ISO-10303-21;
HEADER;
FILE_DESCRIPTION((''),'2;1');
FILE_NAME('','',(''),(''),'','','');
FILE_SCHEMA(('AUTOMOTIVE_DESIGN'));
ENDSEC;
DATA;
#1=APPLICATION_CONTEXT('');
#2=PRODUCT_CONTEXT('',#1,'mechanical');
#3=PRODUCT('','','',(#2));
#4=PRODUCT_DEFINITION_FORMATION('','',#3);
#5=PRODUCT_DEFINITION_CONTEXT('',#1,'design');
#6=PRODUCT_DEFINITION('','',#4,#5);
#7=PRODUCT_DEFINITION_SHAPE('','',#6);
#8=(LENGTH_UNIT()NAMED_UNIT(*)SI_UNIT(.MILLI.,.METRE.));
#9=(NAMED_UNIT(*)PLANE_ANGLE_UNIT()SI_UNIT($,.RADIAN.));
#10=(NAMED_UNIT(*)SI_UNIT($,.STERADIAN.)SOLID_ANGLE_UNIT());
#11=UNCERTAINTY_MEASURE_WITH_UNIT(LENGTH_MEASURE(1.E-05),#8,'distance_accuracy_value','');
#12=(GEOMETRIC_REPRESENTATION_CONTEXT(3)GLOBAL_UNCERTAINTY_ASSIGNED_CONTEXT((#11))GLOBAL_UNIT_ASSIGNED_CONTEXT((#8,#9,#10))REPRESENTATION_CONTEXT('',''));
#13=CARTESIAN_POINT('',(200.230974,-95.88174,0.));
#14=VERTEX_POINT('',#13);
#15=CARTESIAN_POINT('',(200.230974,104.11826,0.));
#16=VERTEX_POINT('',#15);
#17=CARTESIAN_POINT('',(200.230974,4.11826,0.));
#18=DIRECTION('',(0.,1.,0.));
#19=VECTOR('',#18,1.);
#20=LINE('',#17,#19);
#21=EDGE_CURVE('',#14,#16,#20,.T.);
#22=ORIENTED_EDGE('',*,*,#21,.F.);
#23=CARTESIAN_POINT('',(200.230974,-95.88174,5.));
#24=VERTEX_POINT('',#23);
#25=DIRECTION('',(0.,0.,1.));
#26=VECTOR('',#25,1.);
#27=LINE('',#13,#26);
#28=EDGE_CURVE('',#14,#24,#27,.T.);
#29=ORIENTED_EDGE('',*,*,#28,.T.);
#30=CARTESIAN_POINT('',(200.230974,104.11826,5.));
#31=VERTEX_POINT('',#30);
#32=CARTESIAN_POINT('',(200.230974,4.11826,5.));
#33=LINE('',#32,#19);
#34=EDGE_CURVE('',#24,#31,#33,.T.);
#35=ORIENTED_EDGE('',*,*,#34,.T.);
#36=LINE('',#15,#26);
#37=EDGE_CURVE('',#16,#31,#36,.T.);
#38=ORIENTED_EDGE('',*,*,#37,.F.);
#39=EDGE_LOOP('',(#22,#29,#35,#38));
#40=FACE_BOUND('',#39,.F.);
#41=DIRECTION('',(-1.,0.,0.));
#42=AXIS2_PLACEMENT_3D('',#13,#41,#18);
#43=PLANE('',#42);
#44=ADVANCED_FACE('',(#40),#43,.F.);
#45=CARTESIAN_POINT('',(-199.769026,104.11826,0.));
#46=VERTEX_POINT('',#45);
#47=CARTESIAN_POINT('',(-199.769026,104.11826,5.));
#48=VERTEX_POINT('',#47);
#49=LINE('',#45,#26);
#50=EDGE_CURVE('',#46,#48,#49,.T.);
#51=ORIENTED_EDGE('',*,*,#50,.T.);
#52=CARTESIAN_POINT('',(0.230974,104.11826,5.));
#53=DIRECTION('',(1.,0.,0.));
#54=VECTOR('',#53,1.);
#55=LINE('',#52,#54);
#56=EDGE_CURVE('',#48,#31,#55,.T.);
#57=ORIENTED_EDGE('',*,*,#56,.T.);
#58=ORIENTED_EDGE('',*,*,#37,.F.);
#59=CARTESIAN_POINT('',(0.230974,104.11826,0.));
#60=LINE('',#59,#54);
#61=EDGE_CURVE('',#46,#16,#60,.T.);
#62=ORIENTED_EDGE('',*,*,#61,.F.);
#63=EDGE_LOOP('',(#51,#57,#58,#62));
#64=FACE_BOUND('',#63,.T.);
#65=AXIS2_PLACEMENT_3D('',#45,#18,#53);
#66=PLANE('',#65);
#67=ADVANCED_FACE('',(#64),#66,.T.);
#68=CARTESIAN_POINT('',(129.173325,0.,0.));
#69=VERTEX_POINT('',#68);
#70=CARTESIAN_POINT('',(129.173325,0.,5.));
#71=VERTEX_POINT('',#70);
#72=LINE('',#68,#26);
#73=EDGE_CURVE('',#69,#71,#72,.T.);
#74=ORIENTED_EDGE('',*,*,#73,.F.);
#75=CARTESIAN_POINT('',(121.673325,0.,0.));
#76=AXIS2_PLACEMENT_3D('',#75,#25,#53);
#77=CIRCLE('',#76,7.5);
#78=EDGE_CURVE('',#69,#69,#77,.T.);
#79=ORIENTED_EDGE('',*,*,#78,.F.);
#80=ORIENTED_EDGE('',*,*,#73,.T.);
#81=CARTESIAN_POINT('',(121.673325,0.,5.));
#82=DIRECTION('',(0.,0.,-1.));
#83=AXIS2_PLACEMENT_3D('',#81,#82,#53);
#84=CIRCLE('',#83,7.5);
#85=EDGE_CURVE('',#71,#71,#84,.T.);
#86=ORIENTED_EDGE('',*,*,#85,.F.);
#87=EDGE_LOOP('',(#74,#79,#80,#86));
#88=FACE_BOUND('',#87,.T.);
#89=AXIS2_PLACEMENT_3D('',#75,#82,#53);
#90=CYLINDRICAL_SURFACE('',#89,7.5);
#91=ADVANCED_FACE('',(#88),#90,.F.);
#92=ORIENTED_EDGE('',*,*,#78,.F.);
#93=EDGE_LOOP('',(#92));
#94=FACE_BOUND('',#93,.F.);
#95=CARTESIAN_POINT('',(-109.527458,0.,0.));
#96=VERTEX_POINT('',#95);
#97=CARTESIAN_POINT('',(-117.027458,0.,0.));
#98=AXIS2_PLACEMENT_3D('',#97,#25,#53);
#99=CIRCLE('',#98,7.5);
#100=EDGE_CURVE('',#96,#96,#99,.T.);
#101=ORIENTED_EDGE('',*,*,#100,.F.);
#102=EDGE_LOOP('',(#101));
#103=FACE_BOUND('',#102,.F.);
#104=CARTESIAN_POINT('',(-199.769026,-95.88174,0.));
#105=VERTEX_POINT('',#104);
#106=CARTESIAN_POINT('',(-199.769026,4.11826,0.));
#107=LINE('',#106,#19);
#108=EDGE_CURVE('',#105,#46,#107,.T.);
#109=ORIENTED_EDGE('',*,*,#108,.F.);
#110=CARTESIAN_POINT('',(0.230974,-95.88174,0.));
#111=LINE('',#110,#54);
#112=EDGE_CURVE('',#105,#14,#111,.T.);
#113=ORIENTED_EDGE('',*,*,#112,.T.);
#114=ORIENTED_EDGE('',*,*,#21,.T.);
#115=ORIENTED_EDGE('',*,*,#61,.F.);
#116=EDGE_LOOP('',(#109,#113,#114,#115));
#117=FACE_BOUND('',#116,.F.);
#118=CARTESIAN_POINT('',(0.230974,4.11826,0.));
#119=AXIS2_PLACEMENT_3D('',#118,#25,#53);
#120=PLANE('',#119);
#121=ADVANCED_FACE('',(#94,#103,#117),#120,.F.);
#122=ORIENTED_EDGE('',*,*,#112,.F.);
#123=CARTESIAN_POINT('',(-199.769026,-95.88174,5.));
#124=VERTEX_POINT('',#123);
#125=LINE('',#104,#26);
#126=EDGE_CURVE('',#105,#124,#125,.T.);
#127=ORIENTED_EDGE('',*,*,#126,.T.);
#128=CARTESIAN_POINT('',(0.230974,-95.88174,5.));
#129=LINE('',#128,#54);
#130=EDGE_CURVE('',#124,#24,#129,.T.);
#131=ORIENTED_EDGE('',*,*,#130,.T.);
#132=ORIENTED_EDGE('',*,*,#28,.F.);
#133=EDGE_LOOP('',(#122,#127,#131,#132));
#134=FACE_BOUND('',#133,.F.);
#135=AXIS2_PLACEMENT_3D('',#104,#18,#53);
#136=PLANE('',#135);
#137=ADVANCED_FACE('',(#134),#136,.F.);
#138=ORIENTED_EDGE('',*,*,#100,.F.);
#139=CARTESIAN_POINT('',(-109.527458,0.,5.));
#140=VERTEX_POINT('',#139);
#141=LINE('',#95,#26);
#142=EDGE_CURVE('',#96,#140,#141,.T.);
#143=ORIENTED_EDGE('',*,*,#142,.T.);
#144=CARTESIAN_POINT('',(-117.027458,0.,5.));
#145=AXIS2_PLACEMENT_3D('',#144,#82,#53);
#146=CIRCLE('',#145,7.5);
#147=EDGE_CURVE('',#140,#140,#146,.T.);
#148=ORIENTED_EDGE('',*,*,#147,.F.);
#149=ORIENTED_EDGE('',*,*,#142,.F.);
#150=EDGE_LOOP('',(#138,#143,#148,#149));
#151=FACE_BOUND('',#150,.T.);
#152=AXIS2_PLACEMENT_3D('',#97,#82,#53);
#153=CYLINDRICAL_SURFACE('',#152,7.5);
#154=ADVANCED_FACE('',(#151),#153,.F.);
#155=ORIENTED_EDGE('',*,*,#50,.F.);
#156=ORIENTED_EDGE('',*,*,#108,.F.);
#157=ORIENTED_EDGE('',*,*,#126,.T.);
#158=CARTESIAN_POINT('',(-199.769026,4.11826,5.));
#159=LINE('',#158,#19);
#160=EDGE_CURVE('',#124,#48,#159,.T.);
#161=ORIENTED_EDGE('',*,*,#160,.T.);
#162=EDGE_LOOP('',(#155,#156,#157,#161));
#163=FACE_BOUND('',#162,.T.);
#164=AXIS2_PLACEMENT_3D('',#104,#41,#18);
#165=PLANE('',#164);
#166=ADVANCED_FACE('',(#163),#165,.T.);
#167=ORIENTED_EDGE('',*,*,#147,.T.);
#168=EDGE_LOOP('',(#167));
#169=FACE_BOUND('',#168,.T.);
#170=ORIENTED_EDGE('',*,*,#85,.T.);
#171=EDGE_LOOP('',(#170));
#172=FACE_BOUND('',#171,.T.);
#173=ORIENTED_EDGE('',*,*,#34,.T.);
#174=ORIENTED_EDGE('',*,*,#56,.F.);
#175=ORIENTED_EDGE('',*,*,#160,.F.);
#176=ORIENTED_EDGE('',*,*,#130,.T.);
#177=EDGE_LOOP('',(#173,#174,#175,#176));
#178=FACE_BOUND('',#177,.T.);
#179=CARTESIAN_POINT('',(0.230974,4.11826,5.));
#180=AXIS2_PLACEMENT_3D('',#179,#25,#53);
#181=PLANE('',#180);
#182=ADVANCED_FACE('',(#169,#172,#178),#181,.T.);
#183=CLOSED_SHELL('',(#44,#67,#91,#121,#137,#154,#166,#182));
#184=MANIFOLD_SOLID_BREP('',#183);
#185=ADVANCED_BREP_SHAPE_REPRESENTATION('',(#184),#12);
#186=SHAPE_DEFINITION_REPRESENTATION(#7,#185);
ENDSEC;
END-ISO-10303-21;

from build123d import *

# Parameters (mm, degrees)
F0_W     = 400
F0_H     = 200
F1_DEPTH = 5
F2_R     = 7.5
F3_DEPTH = 25
F5_R     = 7.5
F6_DEPTH = 25


with BuildPart() as f1:
    # F0 (on Top) → F1 (new body)
    with BuildSketch(Plane.XY):
        with Locations((0.230974, 4.11826)):
            Rectangle(F0_W, F0_H)
    extrude(amount=F1_DEPTH)


with BuildPart() as f3:
    # F2 (on Top) → F3 (new body)
    with BuildSketch(Plane.XY):
        with Locations((121.673325, 0)):
            Circle(F2_R)
    extrude(amount=F3_DEPTH)


with BuildPart() as f1_1:
    add(f1.part)

    # F4: cut F3
    add(f3.part, mode=Mode.SUBTRACT)


with BuildPart() as f6:
    # F5 (on Top) → F6 (new body)
    with BuildSketch(Plane.XY):
        with Locations((-117.027458, 0)):
            Circle(F5_R)
    extrude(amount=F6_DEPTH)


with BuildPart() as f1_2:
    add(f1_1.part)

    # F7: cut F6
    add(f6.part, mode=Mode.SUBTRACT)


solid = f1_2.part
